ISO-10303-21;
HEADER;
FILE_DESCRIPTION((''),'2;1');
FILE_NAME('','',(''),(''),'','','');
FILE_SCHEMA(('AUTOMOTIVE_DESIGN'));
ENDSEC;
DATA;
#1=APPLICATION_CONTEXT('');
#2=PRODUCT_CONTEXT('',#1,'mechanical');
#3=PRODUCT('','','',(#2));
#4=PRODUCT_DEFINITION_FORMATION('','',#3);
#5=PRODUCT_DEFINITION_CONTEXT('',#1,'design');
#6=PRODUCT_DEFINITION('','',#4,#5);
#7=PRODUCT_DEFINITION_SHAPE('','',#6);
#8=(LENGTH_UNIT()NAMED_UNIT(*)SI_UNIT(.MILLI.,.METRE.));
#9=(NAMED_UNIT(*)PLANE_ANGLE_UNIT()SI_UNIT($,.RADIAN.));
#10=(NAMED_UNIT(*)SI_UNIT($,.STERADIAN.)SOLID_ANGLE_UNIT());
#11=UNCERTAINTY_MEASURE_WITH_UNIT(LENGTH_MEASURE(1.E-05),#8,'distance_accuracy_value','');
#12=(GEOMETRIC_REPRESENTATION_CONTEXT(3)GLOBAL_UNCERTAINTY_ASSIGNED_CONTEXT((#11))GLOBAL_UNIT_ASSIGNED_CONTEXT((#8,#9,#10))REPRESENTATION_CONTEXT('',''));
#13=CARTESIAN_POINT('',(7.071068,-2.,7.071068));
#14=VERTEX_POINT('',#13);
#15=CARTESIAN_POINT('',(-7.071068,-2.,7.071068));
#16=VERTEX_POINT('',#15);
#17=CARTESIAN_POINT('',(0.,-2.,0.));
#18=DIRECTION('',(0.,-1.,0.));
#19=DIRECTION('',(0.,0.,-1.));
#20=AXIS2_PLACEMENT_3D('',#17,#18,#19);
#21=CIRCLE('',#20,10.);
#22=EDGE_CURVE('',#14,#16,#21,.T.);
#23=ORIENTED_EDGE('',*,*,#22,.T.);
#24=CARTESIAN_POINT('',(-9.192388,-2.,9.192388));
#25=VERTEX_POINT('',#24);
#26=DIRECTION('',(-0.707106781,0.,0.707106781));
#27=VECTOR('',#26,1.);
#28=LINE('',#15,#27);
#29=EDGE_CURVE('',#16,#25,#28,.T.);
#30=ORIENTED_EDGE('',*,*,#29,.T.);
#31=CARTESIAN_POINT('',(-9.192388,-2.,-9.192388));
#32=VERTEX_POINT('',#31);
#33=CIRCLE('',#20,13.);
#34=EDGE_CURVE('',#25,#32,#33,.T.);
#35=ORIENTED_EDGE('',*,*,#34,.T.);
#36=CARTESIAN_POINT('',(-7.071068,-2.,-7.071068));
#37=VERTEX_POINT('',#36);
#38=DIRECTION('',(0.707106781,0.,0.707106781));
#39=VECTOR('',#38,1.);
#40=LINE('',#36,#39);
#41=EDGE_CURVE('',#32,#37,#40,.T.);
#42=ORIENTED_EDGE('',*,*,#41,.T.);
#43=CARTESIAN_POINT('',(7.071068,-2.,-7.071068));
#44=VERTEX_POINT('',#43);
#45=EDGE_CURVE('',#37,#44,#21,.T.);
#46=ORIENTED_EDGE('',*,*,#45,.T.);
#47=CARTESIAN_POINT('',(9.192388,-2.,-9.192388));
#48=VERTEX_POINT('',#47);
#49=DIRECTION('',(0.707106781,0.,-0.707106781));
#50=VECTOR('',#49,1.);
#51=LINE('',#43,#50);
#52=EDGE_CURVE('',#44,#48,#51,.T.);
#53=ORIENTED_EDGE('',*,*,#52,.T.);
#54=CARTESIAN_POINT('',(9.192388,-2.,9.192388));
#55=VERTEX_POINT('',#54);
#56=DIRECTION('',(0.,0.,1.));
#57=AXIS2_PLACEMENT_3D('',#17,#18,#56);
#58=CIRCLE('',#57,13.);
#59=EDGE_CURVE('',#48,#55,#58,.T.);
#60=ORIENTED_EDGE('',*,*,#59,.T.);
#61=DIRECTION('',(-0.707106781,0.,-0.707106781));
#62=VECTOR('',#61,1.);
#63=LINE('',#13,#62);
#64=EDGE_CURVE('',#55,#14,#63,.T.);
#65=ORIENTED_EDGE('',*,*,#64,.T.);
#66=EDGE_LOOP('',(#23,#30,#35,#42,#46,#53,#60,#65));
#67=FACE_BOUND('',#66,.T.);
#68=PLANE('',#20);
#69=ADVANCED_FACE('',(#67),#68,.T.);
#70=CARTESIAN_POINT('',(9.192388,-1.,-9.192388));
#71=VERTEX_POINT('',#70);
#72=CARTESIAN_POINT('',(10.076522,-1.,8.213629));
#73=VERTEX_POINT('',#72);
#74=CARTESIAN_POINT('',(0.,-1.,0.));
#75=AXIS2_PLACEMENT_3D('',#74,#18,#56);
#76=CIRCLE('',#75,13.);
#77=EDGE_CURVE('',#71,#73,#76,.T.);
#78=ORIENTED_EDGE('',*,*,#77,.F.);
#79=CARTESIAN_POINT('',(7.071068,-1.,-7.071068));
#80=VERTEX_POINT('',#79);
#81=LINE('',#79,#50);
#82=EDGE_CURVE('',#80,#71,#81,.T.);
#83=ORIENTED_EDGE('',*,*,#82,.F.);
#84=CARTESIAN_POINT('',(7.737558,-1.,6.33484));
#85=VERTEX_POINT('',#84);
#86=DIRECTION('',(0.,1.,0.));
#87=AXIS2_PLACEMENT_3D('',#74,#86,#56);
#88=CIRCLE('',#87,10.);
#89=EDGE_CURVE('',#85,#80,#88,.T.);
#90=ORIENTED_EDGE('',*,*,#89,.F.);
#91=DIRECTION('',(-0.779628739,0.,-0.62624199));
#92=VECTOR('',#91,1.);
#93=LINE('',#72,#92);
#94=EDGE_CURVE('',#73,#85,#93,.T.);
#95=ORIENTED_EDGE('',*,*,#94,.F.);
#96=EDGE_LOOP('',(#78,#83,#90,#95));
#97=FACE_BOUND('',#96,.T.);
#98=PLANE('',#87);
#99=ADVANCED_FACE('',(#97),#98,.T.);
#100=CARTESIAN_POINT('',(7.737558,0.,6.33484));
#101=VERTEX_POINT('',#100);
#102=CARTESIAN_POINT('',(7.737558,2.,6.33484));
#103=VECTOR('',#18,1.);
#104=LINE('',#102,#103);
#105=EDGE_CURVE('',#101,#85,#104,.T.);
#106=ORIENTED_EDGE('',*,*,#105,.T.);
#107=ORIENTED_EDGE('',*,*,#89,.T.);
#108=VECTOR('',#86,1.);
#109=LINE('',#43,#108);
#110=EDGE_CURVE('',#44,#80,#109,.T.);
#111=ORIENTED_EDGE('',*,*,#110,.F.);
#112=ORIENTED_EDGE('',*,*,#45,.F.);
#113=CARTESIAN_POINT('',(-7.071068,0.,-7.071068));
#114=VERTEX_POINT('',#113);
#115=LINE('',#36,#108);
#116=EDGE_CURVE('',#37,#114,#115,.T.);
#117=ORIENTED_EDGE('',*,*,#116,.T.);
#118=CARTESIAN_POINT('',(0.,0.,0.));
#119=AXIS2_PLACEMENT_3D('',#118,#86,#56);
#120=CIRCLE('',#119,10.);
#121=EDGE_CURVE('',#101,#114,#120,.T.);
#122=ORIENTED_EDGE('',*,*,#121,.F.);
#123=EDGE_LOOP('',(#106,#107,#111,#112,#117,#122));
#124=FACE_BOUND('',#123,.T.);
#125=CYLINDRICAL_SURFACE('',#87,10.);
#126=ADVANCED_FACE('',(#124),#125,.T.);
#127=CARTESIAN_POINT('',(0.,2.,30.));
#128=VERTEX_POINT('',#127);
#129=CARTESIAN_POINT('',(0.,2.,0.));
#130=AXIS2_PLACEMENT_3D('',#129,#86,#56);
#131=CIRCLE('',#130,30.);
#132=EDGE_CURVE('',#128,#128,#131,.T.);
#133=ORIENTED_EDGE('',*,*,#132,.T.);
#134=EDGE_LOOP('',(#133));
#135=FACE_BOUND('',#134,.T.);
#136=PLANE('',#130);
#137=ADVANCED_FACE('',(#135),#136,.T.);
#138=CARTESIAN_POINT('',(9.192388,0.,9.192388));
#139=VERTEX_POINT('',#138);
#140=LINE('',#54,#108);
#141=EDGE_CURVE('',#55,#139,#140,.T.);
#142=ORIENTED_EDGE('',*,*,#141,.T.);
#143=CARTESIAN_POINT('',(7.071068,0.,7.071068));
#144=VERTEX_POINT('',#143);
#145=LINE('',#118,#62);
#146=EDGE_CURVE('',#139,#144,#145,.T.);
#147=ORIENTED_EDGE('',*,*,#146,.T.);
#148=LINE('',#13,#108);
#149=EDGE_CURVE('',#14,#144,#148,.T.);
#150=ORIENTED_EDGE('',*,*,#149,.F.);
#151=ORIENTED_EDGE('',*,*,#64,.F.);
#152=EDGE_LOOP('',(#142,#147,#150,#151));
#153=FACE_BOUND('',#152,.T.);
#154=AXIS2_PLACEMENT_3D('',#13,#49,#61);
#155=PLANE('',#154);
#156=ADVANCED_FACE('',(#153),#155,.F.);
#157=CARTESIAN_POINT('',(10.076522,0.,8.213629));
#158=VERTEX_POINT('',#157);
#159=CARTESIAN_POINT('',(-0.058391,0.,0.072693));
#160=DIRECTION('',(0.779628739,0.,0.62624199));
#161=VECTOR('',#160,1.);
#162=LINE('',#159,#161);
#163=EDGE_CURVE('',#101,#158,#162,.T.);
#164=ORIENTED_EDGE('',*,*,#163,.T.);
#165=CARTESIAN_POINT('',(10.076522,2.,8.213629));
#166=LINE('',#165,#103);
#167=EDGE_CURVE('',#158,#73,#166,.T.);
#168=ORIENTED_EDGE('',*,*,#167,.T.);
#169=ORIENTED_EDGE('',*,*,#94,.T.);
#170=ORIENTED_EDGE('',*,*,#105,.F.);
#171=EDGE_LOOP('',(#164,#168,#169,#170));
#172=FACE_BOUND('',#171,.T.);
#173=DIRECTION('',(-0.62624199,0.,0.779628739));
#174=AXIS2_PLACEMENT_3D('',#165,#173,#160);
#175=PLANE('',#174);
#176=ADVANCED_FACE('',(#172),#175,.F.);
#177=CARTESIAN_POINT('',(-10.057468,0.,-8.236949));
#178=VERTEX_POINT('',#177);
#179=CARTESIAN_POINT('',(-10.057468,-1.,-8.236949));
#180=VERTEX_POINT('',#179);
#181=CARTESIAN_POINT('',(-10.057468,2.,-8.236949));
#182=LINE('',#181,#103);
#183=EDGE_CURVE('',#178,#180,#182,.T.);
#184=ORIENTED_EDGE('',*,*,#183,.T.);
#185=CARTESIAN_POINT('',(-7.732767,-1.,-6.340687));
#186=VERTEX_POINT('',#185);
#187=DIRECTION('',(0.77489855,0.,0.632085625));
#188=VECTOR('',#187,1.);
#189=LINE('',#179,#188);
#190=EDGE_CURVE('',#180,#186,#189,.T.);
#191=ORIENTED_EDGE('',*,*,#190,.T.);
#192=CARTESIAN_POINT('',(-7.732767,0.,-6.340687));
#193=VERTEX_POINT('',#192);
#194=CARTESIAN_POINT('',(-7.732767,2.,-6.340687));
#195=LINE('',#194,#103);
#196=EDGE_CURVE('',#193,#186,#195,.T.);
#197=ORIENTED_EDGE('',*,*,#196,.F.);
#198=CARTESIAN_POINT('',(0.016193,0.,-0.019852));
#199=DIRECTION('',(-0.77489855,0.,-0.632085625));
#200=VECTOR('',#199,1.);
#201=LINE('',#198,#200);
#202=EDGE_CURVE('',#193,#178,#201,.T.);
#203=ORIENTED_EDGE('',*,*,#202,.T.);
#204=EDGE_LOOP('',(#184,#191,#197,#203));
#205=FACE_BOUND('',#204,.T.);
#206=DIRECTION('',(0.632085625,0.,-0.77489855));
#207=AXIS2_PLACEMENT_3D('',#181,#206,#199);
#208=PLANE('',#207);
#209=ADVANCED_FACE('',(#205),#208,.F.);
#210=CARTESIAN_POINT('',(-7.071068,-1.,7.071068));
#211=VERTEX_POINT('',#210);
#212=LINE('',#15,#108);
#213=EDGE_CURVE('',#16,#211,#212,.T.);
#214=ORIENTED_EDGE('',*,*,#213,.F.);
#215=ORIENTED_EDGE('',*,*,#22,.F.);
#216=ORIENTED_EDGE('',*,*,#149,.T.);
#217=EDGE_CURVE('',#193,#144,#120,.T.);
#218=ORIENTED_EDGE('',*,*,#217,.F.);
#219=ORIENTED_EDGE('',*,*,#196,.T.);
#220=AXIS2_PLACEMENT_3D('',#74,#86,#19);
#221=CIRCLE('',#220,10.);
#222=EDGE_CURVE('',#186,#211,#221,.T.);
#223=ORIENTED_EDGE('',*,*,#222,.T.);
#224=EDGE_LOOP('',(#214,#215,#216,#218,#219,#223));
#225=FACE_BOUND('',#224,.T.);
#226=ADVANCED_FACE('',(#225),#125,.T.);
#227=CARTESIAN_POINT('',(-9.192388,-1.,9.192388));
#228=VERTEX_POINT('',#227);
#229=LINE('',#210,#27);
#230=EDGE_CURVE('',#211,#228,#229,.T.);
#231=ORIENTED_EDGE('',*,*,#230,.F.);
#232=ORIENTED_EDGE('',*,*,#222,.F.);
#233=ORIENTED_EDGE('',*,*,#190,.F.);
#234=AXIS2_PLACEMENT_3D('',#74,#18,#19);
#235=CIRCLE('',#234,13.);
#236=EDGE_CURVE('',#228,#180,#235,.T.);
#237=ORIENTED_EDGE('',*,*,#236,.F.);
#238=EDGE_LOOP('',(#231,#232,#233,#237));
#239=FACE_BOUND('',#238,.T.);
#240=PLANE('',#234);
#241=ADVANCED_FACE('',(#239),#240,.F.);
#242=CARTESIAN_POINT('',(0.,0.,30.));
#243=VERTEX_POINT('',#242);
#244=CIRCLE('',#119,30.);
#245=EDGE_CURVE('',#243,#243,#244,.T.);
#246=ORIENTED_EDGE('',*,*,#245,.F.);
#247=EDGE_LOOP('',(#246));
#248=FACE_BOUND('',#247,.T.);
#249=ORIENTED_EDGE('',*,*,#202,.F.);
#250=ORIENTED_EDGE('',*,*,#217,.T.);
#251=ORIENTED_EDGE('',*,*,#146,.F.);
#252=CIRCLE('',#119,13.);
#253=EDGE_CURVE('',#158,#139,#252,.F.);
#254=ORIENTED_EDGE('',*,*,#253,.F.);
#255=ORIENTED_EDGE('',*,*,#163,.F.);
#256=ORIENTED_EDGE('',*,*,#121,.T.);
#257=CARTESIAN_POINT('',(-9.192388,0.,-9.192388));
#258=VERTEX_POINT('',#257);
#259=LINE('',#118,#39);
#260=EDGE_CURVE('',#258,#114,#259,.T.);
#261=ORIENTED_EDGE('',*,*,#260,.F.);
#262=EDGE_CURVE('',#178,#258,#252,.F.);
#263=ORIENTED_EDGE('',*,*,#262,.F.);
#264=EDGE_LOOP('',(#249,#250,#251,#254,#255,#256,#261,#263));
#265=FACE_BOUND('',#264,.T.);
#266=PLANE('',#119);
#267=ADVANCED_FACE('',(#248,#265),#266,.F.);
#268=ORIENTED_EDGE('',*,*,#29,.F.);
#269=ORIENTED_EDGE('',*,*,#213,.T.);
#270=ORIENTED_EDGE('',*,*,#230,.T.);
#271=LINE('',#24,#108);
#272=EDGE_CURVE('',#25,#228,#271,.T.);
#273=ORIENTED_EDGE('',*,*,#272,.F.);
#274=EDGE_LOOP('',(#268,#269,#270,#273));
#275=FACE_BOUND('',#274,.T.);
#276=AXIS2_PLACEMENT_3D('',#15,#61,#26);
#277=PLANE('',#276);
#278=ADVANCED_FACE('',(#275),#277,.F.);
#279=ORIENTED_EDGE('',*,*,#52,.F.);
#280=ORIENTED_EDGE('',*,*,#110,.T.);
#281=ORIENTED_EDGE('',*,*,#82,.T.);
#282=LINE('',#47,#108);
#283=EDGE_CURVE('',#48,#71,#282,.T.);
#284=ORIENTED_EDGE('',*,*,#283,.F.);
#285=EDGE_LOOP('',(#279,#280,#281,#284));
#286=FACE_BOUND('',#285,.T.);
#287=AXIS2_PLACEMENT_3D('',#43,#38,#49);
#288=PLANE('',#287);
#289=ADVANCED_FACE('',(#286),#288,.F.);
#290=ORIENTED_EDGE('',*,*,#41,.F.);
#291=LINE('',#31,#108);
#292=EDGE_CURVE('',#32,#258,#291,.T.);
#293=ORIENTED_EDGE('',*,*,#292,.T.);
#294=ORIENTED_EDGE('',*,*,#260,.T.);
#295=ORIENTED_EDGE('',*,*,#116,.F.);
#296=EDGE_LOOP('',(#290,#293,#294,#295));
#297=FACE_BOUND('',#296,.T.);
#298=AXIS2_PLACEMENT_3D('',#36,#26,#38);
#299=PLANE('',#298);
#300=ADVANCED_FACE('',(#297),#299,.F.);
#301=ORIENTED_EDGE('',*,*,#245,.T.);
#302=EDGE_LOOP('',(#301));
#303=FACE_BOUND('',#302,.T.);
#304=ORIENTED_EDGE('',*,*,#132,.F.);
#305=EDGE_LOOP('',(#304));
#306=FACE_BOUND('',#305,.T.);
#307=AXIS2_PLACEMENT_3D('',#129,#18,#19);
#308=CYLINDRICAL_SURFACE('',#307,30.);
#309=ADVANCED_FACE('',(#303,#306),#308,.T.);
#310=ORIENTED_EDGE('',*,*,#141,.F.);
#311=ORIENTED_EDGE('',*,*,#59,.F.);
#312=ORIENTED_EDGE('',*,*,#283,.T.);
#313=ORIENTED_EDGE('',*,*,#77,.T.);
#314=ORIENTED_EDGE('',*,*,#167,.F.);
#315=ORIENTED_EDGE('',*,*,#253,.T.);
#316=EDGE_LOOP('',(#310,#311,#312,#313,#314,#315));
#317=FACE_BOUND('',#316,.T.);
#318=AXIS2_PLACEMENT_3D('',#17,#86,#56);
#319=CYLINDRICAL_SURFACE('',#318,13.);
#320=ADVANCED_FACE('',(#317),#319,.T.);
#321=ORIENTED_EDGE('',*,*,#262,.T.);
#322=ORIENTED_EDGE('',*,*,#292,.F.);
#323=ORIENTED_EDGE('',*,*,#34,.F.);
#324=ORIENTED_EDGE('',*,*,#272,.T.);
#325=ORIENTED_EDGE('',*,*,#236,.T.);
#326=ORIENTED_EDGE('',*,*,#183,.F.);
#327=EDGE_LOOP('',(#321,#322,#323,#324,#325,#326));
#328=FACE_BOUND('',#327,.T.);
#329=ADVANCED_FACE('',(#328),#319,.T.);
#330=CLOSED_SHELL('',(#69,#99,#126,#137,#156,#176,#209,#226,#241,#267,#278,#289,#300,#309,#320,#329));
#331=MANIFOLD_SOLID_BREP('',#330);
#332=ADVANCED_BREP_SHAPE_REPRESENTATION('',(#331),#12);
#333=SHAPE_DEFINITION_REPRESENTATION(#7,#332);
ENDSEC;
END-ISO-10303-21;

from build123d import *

# Parameters (mm, degrees)
SKIZZE1_R                         = 10
AUFSATZ_LINEAR_AUSTRAGEN1_DEPTH   = 1
SKIZZE2_R                         = 30
AUFSATZ_LINEAR_AUSTRAGEN2_DEPTH   = 2
AUFSATZ_LINEAR_AUSTRAGEN3_DEPTH   = 1
AUFSATZ_LINEAR_AUSTRAGEN3_2_DEPTH = 1
SKIZZE4_R                         = 10
AUFSATZ_LINEAR_AUSTRAGEN4_DEPTH   = 1
AUFSATZ_LINEAR_START              = 3
AUFSATZ_LINEAR_AUSTRAGEN15_DEPTH  = 3


with BuildPart() as part:
    # Skizze1 → Aufsatz-Linear austragen1 (new body)
    with BuildSketch(Plane(origin=(0, 0, 0), x_dir=(1, 0, 0), z_dir=(0, 1, 0))):
        with Locations(Location((0, 0, 0), (0, 0, 270))):
            Circle(SKIZZE1_R)
    extrude(amount=-AUFSATZ_LINEAR_AUSTRAGEN1_DEPTH)

    # Skizze2 → Aufsatz-Linear austragen2 (add)
    with BuildSketch(Plane(origin=(0, 0, 0), x_dir=(1, 0, 0), z_dir=(0, 1, 0))):
        with Locations(Location((0, 0, 0), (0, 0, 270))):
            Circle(SKIZZE2_R)
    extrude(amount=AUFSATZ_LINEAR_AUSTRAGEN2_DEPTH)



with BuildPart() as body_2:
    # Skizze3 → Aufsatz-Linear austragen3 (new body)
    with BuildSketch(Plane.XZ.offset(1)):
        with BuildLine():
            Line((-7.071067812, 7.071067812), (-9.192388155, 9.192388155))
            ThreePointArc((-9.192388155, 9.192388155), (-13, 0), (-9.192388155, -9.192388155))
            Line((-9.192388155, -9.192388155), (-7.071067812, -7.071067812))
            ThreePointArc((-7.071067812, -7.071067812), (-10, 0), (-7.071067812, 7.071067812))
        make_face()
    extrude(amount=AUFSATZ_LINEAR_AUSTRAGEN3_DEPTH)


with BuildPart() as body_3:
    # Skizze3 → Aufsatz-Linear austragen3 2 (new body)
    with BuildSketch(Plane.XZ.offset(1)):
        with BuildLine():
            Line((7.071067812, 7.071067812), (9.192388155, 9.192388155))
            ThreePointArc((9.192388155, 9.192388155), (13, 0), (9.192388155, -9.192388155))
            Line((9.192388155, -9.192388155), (7.071067812, -7.071067812))
            ThreePointArc((7.071067812, -7.071067812), (10, 0), (7.071067812, 7.071067812))
        make_face()
    extrude(amount=AUFSATZ_LINEAR_AUSTRAGEN3_2_DEPTH)


with BuildPart() as part_1:
    add(part.part)

    add(body_2.part)  # Aufsatz-Linear austragen4 merges body 2

    add(body_3.part)  # Aufsatz-Linear austragen4 merges body 3
    # Skizze4 → Aufsatz-Linear austragen4 (add)
    with BuildSketch(Plane.XZ.offset(1)):
        with Locations(Location((0, 0, 0), (0, 0, 90))):
            Circle(SKIZZE4_R)
    extrude(amount=AUFSATZ_LINEAR_AUSTRAGEN4_DEPTH)

    # Skizze8 → Aufsatz-Linear austragen15 (add)
    with BuildSketch(Plane(origin=(0, -1, 0), x_dir=(1, 0, 0), z_dir=(0, 1, 0)).offset(AUFSATZ_LINEAR_START)):
        with BuildLine():
            Line((10.076521944, -8.213629254), (7.737557516, -6.334840462))
            ThreePointArc((7.737557516, -6.334840462), (7.413457608, -6.711232845), (7.071067812, -7.071067812))
            Line((7.071067812, -7.071067812), (9.192388155, -9.192388155))
            ThreePointArc((9.192388155, -9.192388155), (9.646875989, -8.714228804), (10.076521944, -8.213629254))
        make_face()
        with BuildLine():
            Line((-7.071067812, 7.071067812), (-9.192388155, 9.192388155))
            ThreePointArc((-9.192388155, 9.192388155), (-9.636776415, 8.725396284), (-10.057468336, 8.236949111))
            Line((-10.057468336, 8.236949111), (-7.732766819, 6.340687449))
            ThreePointArc((-7.732766819, 6.340687449), (-7.410920578, 6.714034271), (-7.071067812, 7.071067812))
        make_face()
    extrude(amount=-AUFSATZ_LINEAR_AUSTRAGEN15_DEPTH)


solid = part_1.part
